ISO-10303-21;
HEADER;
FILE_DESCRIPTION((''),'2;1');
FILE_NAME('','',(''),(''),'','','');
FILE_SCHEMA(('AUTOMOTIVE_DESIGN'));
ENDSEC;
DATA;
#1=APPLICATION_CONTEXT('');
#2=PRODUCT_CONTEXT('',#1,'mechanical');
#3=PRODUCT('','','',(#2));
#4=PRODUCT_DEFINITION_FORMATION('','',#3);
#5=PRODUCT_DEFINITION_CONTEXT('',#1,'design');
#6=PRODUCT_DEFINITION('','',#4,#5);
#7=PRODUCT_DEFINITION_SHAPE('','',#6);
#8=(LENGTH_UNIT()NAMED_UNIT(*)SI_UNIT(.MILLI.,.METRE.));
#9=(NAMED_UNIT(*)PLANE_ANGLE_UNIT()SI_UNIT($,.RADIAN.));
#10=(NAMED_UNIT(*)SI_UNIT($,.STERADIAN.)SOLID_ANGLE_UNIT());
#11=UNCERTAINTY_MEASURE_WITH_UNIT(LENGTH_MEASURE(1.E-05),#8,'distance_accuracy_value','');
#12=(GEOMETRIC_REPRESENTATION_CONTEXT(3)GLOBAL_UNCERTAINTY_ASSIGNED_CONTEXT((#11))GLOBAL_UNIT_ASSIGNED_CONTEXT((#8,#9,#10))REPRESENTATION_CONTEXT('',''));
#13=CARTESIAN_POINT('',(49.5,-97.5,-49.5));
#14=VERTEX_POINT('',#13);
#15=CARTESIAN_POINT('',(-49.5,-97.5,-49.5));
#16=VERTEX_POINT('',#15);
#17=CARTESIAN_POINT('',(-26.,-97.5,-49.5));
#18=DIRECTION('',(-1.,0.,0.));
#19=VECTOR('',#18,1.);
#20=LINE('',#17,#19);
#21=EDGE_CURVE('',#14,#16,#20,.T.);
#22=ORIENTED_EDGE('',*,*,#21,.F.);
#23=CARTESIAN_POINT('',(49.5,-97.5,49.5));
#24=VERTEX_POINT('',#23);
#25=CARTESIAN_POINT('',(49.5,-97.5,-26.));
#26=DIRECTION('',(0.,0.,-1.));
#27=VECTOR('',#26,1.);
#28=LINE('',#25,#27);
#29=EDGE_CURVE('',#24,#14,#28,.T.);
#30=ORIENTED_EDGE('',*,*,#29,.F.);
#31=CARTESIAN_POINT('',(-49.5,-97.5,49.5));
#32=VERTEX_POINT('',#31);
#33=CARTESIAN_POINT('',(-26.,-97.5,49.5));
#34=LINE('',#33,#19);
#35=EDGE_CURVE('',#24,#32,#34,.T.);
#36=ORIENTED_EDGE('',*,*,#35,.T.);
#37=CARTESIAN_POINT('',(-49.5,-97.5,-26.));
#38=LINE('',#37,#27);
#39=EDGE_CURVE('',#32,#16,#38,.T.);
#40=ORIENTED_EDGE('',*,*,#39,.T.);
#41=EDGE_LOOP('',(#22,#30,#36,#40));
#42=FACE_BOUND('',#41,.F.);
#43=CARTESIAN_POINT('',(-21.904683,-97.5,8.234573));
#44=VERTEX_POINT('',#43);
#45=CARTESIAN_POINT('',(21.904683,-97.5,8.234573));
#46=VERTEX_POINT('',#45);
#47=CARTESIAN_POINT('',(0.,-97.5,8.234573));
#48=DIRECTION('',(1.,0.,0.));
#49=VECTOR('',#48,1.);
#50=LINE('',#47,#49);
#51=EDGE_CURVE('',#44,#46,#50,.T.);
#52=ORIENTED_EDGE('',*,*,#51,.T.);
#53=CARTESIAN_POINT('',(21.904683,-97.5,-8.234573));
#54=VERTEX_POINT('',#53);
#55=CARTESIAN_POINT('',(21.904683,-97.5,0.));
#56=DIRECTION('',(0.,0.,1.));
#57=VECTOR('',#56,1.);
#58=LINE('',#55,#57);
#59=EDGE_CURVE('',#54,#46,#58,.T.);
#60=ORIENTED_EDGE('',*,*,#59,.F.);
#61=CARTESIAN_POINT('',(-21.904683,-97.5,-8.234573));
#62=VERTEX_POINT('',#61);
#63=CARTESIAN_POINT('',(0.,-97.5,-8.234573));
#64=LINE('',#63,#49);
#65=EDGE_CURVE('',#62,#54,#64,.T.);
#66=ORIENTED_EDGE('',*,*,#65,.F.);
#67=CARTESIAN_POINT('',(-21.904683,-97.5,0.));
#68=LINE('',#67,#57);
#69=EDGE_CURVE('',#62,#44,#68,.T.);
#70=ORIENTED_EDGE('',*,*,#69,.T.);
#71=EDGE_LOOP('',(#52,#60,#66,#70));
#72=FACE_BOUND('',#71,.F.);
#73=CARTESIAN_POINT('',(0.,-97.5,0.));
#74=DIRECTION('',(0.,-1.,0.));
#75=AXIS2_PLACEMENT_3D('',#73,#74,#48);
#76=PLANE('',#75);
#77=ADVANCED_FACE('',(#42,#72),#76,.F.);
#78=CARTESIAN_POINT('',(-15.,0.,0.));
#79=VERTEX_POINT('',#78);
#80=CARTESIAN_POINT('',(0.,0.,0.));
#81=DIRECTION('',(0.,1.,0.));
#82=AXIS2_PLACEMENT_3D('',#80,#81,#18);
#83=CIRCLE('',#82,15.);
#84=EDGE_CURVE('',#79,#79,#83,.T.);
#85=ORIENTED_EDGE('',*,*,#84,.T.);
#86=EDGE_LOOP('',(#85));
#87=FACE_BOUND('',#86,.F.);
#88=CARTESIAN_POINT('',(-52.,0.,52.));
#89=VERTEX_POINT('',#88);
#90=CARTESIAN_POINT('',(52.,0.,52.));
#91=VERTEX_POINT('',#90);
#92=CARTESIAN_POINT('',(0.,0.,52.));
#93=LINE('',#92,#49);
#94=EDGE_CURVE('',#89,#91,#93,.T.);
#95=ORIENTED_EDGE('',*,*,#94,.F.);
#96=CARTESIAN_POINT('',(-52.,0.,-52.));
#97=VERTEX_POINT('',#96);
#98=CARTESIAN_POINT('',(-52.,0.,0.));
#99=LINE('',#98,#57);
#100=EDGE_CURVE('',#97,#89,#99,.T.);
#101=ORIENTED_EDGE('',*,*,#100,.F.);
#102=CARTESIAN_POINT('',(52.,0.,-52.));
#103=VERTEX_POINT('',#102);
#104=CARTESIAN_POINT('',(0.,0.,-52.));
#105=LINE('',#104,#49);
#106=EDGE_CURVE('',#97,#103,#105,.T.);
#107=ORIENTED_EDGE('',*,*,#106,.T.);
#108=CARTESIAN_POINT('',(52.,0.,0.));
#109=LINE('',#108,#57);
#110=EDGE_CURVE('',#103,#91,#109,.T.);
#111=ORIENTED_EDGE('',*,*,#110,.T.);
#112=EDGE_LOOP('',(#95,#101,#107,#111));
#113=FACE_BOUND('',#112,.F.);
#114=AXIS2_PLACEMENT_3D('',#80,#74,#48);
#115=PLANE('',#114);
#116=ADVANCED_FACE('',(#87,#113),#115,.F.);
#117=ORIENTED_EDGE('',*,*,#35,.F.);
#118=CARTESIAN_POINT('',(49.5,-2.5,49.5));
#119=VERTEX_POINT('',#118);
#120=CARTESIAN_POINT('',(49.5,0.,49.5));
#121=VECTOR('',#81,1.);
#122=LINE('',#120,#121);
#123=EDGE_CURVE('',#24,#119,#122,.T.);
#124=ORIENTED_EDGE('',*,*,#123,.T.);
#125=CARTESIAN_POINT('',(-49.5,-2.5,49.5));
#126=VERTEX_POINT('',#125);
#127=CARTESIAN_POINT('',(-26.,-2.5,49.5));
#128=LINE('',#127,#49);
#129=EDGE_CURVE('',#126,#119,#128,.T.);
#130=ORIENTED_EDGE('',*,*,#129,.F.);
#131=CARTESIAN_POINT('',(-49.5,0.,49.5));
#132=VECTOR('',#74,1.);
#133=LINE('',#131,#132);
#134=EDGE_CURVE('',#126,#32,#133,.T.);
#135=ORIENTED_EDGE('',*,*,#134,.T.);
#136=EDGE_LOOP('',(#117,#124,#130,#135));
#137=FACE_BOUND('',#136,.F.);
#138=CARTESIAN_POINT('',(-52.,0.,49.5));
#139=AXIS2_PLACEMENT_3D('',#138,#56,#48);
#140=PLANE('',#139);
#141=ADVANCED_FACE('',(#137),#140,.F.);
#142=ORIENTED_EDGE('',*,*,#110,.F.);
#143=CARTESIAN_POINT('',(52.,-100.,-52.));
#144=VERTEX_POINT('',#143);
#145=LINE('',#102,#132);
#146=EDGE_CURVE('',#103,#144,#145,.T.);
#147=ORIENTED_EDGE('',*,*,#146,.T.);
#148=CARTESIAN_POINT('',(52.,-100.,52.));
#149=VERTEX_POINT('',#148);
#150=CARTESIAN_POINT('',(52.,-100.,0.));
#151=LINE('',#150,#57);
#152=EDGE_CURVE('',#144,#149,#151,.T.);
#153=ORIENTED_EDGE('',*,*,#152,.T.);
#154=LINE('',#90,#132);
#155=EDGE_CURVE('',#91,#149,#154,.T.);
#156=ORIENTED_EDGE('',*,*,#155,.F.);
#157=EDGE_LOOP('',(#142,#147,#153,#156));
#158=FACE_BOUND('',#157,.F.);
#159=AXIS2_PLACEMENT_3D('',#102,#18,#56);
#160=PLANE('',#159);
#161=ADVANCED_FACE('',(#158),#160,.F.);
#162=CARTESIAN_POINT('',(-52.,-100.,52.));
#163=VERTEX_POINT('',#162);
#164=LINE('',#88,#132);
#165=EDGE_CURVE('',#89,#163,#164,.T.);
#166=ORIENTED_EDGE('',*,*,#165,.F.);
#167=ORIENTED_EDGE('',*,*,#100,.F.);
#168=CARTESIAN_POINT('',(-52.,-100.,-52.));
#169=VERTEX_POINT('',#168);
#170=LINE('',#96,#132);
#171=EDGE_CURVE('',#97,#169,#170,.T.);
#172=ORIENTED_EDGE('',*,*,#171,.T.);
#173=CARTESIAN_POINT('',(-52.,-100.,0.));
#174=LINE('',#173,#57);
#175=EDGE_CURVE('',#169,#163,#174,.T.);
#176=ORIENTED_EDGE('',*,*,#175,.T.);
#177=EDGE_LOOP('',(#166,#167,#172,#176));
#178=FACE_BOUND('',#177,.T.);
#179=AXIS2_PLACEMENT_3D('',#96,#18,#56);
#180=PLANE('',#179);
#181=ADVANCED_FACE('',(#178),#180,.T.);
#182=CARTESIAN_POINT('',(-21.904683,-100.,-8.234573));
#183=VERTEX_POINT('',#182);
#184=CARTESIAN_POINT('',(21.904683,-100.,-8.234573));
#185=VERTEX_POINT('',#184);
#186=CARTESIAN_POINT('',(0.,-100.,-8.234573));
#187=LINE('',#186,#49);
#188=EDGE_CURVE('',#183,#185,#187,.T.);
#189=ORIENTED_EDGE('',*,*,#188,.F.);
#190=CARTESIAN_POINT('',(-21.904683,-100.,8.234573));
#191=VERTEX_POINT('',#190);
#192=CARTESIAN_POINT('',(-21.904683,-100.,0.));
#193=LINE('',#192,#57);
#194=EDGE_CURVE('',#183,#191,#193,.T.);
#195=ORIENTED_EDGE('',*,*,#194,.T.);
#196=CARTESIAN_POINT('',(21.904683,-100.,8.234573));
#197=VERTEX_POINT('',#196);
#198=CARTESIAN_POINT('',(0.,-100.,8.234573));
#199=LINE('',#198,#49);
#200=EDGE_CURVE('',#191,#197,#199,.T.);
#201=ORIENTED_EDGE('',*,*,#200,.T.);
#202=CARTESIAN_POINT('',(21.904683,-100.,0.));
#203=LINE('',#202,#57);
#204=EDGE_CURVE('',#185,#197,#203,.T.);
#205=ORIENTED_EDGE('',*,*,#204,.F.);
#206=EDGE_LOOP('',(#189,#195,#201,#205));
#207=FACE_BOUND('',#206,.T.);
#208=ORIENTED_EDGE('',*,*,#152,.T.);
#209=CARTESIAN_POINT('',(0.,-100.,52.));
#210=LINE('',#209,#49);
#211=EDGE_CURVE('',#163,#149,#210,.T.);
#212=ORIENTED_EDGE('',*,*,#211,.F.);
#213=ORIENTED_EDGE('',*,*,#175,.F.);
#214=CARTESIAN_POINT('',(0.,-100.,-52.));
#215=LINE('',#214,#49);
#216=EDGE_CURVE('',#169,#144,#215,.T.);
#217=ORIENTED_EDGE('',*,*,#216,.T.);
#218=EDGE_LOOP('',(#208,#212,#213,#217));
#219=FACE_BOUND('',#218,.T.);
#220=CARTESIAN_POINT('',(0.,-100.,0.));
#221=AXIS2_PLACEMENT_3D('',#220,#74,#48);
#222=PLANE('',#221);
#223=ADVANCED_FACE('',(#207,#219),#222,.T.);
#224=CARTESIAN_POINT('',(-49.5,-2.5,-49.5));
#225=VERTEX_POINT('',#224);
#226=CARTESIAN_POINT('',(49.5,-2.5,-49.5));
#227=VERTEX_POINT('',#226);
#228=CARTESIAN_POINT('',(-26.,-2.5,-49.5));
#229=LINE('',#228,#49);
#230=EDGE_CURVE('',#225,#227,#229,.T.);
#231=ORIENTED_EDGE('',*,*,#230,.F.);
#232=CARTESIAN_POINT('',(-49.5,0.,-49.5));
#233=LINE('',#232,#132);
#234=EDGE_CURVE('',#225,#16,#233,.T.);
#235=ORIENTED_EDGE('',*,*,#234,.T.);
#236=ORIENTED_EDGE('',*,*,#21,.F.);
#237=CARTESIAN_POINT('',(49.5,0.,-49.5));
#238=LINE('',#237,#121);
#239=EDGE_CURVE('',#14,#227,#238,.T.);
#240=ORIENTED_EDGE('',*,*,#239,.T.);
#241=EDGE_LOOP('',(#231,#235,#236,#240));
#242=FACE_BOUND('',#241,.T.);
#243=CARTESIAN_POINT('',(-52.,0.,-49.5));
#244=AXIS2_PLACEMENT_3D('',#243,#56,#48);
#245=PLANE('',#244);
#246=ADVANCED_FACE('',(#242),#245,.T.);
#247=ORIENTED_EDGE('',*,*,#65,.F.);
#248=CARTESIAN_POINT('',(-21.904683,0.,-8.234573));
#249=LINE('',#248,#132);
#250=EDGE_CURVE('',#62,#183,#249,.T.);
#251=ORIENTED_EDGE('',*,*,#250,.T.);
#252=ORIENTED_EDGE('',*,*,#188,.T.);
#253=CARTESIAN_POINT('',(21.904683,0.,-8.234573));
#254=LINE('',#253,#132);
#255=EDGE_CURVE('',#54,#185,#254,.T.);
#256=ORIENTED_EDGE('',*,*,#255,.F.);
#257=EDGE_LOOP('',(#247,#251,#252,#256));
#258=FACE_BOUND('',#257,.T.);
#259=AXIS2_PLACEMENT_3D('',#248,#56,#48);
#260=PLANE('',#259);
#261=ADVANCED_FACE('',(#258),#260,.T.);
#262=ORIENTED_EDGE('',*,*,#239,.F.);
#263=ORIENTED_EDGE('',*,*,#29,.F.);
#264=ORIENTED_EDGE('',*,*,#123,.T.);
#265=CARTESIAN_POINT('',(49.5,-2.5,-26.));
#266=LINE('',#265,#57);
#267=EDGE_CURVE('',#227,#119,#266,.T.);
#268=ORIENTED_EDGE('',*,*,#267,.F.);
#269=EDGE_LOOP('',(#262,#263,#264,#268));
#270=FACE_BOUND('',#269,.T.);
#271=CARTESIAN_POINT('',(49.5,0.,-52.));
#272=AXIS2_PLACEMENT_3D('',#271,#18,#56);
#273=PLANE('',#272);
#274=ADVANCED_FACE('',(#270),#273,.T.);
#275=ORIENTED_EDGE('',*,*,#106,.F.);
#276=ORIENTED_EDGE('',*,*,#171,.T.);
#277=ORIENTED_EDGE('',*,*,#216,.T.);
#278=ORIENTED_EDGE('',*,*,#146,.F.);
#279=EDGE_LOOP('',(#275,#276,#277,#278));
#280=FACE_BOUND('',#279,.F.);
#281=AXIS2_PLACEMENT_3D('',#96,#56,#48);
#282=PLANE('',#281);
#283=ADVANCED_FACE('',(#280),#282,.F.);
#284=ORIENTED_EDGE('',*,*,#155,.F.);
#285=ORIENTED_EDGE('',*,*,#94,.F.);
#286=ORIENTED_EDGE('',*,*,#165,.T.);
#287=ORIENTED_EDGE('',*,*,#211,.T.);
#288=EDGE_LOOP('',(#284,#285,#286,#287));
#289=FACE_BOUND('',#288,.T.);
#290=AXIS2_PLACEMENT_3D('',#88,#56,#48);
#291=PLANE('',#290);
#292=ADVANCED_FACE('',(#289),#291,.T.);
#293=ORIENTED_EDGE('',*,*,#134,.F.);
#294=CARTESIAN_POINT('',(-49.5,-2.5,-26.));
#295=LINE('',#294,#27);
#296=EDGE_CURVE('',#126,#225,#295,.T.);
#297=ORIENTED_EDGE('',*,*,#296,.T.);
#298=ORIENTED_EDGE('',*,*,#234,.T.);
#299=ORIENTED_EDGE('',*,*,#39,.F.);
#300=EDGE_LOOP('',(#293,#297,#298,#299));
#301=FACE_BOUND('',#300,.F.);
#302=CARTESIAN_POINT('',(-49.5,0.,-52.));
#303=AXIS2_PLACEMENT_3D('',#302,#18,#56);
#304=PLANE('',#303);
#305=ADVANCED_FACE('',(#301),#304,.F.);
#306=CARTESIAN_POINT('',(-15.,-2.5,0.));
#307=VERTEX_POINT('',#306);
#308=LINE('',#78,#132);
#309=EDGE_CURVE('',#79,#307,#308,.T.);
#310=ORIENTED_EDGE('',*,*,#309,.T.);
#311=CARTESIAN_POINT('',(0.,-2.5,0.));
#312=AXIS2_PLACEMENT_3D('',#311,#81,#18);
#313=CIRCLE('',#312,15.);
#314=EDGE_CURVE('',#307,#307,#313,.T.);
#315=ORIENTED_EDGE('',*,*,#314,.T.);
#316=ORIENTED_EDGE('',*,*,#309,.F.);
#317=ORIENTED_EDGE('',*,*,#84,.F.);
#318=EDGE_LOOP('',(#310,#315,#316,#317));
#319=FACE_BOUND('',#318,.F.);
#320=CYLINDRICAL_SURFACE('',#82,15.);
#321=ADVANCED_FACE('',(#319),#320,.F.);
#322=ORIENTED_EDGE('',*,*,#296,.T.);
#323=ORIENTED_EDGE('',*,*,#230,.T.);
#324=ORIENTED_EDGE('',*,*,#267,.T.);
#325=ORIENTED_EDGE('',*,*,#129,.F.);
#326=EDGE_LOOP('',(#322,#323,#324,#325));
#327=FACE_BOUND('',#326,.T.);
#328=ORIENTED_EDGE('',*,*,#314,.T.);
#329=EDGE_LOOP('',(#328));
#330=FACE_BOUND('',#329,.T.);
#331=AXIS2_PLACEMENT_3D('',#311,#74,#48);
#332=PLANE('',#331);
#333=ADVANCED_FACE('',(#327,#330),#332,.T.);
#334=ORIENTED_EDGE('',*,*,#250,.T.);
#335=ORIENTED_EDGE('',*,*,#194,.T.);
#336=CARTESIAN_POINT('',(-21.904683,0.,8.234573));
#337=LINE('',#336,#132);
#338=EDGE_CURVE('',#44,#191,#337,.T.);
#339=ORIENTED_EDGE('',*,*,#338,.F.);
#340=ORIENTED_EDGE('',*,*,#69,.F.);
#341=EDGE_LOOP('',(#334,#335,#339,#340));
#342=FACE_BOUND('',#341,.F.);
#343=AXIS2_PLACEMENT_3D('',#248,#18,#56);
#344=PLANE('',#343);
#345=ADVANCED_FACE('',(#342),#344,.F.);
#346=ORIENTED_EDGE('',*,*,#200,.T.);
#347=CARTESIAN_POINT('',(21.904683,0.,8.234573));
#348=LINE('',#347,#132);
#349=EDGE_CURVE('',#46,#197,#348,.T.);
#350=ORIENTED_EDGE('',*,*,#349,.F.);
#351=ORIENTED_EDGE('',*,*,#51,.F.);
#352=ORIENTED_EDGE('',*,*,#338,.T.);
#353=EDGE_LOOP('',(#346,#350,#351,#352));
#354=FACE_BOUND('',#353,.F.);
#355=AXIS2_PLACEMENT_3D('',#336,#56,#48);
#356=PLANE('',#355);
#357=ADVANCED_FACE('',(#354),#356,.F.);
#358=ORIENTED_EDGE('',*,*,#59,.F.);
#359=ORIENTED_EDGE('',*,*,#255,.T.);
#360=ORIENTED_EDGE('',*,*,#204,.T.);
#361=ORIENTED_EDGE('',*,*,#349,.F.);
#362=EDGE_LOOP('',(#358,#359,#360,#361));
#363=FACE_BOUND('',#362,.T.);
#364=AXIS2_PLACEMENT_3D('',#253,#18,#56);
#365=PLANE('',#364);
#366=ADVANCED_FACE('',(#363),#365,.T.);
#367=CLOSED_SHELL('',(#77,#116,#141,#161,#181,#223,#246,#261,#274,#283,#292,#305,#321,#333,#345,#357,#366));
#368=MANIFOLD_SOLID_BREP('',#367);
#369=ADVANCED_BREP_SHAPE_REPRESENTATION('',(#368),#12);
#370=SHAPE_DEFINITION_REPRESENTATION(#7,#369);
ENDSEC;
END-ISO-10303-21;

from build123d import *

# Parameters (mm, degrees)
F0_W     = 104
F0_H     = 104
F0_W_2   = 43.8093654811
F0_H_2   = 16.4691451937
F1_DEPTH = 100
F2_DEPTH = 5
F3_T     = -2.5
F4_R     = 15
F5_DEPTH = 25


with BuildPart() as f1:
    # F0 (on Front) → F1 (new body)
    with BuildSketch(Plane.XZ):
        Rectangle(F0_W, F0_H)
        Rectangle(F0_W_2, F0_H_2, mode=Mode.SUBTRACT)
    extrude(amount=F1_DEPTH)

    # F0 (on Front) → F2 (join)
    with BuildSketch(Plane.XZ):
        Rectangle(F0_W_2, F0_H_2)
    extrude(amount=F2_DEPTH)

    # F3
    f3_openings = [f1.faces().sort_by_distance(p)[0] for p in [
        (0, -52.5, -8.234573),
        (21.904683, -52.5, 0),
        (0, -52.5, 8.234573),
        (-21.904683, -52.5, 0),
        (0, -5, 0),
    ]]
    offset(amount=F3_T, openings=f3_openings)

    # F4 (on face) → F5 (cut)
    with BuildSketch(Plane(origin=(0, 0, 0), x_dir=(-1, 0, 0), z_dir=(0, 1, 0))):
        Circle(F4_R)
    extrude(amount=-F5_DEPTH, mode=Mode.SUBTRACT)


solid = f1.part
